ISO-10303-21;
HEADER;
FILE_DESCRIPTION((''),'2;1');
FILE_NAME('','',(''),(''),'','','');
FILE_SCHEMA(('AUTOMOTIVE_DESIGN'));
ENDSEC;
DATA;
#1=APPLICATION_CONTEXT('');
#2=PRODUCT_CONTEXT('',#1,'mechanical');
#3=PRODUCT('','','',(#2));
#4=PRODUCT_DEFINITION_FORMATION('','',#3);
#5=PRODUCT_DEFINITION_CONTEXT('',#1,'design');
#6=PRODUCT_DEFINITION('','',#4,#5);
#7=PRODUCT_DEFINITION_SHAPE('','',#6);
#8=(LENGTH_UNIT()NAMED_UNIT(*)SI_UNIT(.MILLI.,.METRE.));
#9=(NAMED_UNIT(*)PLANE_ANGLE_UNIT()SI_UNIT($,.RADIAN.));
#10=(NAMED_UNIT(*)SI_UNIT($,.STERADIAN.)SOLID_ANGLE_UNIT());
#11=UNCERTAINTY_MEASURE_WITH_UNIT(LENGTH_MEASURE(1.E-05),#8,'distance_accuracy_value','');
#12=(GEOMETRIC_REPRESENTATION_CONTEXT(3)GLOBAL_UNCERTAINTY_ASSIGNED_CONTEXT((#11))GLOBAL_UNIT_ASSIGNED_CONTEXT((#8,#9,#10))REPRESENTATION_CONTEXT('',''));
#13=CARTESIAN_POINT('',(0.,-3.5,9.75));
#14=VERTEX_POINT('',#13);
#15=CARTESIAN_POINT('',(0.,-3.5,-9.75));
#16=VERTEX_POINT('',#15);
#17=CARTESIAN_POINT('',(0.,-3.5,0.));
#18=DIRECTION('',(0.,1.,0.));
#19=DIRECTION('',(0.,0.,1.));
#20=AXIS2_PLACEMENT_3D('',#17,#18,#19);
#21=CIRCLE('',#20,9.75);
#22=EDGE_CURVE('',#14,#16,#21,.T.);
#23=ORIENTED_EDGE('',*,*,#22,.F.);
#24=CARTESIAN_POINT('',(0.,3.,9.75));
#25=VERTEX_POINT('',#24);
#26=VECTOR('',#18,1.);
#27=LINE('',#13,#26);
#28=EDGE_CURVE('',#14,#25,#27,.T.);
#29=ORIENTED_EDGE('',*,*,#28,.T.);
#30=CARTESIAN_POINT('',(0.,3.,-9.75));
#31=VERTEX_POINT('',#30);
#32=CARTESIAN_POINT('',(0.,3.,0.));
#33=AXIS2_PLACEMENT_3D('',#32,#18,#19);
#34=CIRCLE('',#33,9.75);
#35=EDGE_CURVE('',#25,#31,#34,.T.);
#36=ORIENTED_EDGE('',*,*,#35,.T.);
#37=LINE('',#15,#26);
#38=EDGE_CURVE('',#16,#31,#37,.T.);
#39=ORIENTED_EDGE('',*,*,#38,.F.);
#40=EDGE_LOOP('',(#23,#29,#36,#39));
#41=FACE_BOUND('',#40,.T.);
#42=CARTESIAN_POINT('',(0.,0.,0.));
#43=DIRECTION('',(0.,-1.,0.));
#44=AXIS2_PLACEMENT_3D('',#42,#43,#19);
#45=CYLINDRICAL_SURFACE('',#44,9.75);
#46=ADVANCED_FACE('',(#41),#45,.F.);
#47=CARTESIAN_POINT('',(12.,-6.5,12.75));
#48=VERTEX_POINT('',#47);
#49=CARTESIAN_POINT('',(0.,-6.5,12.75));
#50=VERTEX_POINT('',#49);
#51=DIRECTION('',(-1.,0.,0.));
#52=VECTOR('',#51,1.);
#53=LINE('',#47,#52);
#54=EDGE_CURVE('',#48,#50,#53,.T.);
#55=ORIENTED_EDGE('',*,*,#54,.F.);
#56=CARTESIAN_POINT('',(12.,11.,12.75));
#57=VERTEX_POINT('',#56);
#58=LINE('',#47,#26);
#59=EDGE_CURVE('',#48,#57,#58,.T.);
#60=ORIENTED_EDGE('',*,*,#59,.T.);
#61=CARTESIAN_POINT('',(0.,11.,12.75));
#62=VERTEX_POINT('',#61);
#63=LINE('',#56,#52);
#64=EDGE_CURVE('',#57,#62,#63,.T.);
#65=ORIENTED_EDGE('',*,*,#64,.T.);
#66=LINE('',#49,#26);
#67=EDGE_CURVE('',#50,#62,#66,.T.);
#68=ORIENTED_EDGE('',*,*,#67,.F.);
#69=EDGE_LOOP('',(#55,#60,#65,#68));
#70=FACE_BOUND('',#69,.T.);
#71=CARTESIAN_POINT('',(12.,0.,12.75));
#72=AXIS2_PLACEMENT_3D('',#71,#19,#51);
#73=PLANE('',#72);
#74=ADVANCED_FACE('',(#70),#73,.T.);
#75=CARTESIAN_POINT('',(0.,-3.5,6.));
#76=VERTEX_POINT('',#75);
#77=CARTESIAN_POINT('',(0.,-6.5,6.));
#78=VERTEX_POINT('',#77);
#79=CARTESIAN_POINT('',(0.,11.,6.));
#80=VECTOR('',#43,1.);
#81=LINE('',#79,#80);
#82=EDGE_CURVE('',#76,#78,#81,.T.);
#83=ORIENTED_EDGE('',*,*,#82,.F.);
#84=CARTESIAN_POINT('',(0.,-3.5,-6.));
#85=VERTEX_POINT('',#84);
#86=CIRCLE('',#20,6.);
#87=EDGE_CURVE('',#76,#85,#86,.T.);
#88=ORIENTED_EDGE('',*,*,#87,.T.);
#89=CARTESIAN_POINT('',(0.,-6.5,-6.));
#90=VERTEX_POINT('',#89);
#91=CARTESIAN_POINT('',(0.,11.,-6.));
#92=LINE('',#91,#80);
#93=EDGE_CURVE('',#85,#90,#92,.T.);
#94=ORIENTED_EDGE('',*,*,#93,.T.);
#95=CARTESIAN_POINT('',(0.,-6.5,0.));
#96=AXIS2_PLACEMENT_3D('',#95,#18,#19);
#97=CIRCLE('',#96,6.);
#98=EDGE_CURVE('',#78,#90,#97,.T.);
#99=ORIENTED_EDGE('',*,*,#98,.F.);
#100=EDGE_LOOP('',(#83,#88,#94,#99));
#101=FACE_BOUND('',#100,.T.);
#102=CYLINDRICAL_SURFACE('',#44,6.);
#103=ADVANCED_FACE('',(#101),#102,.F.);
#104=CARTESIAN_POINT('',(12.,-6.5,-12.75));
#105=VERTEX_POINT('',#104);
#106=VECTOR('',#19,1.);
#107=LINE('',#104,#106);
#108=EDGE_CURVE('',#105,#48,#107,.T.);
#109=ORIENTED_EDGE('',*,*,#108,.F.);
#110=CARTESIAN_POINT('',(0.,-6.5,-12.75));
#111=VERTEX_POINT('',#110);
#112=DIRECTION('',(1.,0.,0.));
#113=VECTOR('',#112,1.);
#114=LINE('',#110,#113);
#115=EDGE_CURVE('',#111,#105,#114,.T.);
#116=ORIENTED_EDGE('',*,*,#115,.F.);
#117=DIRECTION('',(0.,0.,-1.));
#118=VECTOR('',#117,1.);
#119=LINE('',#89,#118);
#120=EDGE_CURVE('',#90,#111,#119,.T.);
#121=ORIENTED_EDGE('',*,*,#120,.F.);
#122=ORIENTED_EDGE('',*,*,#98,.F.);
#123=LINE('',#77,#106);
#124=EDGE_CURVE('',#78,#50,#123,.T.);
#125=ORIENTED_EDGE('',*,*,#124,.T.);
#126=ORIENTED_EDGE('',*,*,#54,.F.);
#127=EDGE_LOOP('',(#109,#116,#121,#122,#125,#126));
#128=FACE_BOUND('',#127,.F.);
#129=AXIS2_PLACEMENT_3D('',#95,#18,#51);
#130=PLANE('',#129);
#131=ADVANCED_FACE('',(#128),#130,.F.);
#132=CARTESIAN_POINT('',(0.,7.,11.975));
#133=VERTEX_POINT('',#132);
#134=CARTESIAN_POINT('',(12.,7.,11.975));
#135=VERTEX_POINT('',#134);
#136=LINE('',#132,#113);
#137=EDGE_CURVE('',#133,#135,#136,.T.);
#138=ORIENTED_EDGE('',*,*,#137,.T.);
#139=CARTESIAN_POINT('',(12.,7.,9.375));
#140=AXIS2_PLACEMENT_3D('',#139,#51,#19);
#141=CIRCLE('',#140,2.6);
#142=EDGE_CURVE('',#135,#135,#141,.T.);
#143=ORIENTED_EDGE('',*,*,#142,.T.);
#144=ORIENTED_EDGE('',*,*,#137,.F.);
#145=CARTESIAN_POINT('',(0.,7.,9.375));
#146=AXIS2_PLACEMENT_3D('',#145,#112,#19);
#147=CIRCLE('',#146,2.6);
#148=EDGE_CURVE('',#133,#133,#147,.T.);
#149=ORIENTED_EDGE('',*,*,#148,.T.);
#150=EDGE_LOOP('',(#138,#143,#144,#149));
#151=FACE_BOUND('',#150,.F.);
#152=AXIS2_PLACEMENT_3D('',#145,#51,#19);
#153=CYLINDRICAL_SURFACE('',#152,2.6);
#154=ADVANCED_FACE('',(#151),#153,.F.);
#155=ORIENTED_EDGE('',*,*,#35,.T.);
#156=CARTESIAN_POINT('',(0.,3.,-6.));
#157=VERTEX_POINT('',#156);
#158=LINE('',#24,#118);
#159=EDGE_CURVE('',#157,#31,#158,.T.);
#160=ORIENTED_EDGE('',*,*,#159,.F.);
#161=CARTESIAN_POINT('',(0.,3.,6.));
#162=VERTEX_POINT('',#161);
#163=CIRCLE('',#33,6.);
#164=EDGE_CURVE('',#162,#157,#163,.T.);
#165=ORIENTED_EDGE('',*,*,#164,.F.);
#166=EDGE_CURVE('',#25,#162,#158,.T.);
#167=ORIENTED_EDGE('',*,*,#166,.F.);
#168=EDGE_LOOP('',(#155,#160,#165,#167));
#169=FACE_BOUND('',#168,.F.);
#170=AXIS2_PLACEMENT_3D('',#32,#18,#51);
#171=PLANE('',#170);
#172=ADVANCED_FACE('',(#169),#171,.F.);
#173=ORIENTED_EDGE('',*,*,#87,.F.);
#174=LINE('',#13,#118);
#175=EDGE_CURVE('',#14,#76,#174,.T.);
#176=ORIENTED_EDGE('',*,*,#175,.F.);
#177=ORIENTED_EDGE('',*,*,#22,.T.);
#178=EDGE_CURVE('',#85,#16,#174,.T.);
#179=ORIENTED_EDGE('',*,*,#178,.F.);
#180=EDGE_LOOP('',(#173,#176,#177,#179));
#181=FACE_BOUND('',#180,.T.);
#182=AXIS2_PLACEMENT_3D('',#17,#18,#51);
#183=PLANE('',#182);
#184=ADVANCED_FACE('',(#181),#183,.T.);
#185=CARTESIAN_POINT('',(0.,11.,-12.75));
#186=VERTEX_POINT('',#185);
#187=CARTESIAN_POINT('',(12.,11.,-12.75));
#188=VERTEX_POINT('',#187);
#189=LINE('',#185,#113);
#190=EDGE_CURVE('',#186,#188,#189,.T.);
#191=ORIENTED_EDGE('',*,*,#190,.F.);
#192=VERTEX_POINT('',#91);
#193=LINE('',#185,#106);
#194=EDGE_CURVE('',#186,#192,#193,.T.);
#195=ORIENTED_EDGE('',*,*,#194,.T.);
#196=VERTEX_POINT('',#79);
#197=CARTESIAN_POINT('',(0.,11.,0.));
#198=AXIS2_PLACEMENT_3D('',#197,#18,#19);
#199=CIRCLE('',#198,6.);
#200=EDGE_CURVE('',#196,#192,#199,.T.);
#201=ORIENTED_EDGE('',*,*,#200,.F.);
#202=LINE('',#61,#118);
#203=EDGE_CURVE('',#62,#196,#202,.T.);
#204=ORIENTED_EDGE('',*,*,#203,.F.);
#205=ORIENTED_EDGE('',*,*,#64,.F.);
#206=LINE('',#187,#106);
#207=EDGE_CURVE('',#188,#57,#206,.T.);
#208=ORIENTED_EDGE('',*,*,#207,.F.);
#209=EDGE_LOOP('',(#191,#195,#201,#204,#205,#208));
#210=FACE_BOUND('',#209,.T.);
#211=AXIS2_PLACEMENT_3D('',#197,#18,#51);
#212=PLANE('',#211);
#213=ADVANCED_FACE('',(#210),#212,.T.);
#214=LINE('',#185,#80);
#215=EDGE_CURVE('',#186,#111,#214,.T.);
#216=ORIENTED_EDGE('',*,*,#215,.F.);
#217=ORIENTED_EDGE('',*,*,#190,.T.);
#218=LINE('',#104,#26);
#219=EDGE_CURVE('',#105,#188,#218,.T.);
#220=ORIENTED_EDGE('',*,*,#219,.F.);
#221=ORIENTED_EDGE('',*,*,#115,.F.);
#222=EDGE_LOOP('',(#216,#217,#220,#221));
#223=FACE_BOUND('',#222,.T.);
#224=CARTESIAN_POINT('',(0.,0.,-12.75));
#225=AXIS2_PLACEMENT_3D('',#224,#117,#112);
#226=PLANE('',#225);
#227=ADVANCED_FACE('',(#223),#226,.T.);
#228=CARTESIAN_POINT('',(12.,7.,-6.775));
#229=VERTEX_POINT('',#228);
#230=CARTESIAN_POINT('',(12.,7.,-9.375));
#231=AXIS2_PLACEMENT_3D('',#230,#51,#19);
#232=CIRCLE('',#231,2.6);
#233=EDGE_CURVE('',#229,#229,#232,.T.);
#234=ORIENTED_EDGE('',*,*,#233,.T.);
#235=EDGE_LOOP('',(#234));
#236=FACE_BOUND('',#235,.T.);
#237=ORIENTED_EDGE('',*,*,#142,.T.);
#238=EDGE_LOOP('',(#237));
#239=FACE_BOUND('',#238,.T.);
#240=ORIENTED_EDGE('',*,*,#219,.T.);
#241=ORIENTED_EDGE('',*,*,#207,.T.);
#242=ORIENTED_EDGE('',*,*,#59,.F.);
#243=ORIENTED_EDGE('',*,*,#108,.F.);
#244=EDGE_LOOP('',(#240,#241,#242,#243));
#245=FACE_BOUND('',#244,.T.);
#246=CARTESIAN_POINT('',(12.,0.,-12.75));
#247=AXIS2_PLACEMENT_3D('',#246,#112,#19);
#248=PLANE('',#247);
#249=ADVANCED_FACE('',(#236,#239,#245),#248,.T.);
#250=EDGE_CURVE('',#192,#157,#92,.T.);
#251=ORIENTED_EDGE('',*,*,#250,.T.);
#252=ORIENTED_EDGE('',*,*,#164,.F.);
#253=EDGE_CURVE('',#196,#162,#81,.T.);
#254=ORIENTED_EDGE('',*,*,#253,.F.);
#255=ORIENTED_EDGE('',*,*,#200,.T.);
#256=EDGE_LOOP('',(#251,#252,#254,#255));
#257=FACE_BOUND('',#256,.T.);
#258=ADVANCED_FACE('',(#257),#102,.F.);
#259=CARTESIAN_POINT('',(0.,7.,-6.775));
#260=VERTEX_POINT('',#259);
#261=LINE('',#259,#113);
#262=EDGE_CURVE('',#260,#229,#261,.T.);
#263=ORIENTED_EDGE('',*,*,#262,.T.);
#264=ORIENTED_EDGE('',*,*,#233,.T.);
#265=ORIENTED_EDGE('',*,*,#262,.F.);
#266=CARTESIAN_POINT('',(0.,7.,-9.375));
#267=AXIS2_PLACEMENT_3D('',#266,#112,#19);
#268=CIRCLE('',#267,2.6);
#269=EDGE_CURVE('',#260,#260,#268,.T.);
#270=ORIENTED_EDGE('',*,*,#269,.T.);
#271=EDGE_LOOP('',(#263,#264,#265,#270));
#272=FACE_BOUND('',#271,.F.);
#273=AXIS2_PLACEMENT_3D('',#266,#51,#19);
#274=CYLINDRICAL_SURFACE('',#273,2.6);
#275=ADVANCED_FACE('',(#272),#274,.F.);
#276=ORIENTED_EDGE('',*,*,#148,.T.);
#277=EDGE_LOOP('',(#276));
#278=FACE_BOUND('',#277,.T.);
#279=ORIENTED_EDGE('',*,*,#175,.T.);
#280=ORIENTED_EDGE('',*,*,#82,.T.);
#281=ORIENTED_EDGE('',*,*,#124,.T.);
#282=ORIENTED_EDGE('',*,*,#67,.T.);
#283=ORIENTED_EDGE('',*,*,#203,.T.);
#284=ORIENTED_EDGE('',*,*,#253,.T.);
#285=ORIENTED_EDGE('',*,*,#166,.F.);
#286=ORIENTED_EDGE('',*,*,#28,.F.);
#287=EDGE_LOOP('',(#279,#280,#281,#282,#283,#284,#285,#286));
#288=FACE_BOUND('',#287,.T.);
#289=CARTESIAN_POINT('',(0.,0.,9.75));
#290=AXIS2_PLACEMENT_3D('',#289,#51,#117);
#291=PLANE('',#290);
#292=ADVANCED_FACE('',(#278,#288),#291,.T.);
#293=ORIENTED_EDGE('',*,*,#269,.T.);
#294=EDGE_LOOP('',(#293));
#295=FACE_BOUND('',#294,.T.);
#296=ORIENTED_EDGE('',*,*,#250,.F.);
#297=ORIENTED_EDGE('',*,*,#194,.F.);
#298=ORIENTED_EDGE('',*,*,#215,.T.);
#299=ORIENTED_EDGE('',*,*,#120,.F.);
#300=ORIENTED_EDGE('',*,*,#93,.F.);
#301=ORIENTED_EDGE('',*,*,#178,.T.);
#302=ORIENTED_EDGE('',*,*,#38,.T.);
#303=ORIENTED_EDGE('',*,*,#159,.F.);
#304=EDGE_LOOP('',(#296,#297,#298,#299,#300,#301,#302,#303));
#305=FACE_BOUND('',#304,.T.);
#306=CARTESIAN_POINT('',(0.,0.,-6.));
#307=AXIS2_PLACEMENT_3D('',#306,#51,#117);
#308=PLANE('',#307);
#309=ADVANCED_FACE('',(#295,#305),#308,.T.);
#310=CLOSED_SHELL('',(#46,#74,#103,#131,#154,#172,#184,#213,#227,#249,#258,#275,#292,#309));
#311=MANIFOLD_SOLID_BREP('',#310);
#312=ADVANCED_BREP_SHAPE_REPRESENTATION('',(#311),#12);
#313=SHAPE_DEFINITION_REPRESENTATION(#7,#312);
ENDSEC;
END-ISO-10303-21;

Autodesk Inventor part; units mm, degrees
ref_plane "YZ Plane" through (0, 0, 0) normal (1, 0, 0) x (0, 1, 0)
ref_plane "XZ Plane" through (0, 0, 0) normal (0, 1, 0) x (-1, 0, 0)
ref_plane "XY Plane" through (0, 0, 0) normal (0, 0, 1) x (1, 0, 0)
sketch "Sketch1" plane through (0, 0, 0) normal (0, 1, 0) x (-1, 0, 0)
  arc A0 (0, 9.75) -> (0, -9.75) centre (0, 0) ccw
  arc A1 (0, 6) -> (0, -6) centre (0, 0) ccw
  line L0 (0, 9.75) -> (0, 12.75)
  line L1 (0, -9.75) -> (0, -12.75)
  line L2 (0, -12.75) -> (-12, -12.75)
  line L3 (-12, -12.75) -> (-12, 12.75)
  line L4 (-12, 12.75) -> (0, 12.75)
  line L5 (0, 9.75) -> (0, -9.75)
  dimension "d0" = 19.5
  dimension "d1" = 12
  dimension "d2" = 3
  dimension "d3" = 3
  dimension "d4" = 12
extrude "Extrusion4" add sketch "Sketch1" along normal blind 11 and the other way blind 6.5 contours L5 A1 A0 | A0 L1 L2 L3 L4 L0
extrude "Extrusion5" cut sketch "Sketch1" along normal blind 3 and the other way blind 3.5 contours L5 A1 A0
sketch "Sketch3" plane through (0, -6.5, 12.75) normal (-1, 0, 0) x (0, 0, 1)
  line L0 (-25.5, 17.5) -> (-18.75, 17.5)
  line L1 (-22.125, 17.5) -> (-22.125, 9.5)
  line L2 (-3, 9.5) -> (-22.5, 9.5) projected
  line L3 (0, 17.5) -> (-6.75, 17.5)
  line L4 (-6.75, 17.5) -> (0, 17.5) projected
  line L5 (-3.375, 17.5) -> (-3.375, 9.5)
  circle A0 centre (-22.125, 13.5) radius 2.6
  circle A1 centre (-3.375, 13.5) radius 2.6
  point P0 (-12.75, 6.5)
  dimension "d23" = 5.2
  dimension "d24" = 5.2
extrude "Extrusion6" cut sketch "Sketch3" against normal blind 30
properties part number "bearing_holder"
